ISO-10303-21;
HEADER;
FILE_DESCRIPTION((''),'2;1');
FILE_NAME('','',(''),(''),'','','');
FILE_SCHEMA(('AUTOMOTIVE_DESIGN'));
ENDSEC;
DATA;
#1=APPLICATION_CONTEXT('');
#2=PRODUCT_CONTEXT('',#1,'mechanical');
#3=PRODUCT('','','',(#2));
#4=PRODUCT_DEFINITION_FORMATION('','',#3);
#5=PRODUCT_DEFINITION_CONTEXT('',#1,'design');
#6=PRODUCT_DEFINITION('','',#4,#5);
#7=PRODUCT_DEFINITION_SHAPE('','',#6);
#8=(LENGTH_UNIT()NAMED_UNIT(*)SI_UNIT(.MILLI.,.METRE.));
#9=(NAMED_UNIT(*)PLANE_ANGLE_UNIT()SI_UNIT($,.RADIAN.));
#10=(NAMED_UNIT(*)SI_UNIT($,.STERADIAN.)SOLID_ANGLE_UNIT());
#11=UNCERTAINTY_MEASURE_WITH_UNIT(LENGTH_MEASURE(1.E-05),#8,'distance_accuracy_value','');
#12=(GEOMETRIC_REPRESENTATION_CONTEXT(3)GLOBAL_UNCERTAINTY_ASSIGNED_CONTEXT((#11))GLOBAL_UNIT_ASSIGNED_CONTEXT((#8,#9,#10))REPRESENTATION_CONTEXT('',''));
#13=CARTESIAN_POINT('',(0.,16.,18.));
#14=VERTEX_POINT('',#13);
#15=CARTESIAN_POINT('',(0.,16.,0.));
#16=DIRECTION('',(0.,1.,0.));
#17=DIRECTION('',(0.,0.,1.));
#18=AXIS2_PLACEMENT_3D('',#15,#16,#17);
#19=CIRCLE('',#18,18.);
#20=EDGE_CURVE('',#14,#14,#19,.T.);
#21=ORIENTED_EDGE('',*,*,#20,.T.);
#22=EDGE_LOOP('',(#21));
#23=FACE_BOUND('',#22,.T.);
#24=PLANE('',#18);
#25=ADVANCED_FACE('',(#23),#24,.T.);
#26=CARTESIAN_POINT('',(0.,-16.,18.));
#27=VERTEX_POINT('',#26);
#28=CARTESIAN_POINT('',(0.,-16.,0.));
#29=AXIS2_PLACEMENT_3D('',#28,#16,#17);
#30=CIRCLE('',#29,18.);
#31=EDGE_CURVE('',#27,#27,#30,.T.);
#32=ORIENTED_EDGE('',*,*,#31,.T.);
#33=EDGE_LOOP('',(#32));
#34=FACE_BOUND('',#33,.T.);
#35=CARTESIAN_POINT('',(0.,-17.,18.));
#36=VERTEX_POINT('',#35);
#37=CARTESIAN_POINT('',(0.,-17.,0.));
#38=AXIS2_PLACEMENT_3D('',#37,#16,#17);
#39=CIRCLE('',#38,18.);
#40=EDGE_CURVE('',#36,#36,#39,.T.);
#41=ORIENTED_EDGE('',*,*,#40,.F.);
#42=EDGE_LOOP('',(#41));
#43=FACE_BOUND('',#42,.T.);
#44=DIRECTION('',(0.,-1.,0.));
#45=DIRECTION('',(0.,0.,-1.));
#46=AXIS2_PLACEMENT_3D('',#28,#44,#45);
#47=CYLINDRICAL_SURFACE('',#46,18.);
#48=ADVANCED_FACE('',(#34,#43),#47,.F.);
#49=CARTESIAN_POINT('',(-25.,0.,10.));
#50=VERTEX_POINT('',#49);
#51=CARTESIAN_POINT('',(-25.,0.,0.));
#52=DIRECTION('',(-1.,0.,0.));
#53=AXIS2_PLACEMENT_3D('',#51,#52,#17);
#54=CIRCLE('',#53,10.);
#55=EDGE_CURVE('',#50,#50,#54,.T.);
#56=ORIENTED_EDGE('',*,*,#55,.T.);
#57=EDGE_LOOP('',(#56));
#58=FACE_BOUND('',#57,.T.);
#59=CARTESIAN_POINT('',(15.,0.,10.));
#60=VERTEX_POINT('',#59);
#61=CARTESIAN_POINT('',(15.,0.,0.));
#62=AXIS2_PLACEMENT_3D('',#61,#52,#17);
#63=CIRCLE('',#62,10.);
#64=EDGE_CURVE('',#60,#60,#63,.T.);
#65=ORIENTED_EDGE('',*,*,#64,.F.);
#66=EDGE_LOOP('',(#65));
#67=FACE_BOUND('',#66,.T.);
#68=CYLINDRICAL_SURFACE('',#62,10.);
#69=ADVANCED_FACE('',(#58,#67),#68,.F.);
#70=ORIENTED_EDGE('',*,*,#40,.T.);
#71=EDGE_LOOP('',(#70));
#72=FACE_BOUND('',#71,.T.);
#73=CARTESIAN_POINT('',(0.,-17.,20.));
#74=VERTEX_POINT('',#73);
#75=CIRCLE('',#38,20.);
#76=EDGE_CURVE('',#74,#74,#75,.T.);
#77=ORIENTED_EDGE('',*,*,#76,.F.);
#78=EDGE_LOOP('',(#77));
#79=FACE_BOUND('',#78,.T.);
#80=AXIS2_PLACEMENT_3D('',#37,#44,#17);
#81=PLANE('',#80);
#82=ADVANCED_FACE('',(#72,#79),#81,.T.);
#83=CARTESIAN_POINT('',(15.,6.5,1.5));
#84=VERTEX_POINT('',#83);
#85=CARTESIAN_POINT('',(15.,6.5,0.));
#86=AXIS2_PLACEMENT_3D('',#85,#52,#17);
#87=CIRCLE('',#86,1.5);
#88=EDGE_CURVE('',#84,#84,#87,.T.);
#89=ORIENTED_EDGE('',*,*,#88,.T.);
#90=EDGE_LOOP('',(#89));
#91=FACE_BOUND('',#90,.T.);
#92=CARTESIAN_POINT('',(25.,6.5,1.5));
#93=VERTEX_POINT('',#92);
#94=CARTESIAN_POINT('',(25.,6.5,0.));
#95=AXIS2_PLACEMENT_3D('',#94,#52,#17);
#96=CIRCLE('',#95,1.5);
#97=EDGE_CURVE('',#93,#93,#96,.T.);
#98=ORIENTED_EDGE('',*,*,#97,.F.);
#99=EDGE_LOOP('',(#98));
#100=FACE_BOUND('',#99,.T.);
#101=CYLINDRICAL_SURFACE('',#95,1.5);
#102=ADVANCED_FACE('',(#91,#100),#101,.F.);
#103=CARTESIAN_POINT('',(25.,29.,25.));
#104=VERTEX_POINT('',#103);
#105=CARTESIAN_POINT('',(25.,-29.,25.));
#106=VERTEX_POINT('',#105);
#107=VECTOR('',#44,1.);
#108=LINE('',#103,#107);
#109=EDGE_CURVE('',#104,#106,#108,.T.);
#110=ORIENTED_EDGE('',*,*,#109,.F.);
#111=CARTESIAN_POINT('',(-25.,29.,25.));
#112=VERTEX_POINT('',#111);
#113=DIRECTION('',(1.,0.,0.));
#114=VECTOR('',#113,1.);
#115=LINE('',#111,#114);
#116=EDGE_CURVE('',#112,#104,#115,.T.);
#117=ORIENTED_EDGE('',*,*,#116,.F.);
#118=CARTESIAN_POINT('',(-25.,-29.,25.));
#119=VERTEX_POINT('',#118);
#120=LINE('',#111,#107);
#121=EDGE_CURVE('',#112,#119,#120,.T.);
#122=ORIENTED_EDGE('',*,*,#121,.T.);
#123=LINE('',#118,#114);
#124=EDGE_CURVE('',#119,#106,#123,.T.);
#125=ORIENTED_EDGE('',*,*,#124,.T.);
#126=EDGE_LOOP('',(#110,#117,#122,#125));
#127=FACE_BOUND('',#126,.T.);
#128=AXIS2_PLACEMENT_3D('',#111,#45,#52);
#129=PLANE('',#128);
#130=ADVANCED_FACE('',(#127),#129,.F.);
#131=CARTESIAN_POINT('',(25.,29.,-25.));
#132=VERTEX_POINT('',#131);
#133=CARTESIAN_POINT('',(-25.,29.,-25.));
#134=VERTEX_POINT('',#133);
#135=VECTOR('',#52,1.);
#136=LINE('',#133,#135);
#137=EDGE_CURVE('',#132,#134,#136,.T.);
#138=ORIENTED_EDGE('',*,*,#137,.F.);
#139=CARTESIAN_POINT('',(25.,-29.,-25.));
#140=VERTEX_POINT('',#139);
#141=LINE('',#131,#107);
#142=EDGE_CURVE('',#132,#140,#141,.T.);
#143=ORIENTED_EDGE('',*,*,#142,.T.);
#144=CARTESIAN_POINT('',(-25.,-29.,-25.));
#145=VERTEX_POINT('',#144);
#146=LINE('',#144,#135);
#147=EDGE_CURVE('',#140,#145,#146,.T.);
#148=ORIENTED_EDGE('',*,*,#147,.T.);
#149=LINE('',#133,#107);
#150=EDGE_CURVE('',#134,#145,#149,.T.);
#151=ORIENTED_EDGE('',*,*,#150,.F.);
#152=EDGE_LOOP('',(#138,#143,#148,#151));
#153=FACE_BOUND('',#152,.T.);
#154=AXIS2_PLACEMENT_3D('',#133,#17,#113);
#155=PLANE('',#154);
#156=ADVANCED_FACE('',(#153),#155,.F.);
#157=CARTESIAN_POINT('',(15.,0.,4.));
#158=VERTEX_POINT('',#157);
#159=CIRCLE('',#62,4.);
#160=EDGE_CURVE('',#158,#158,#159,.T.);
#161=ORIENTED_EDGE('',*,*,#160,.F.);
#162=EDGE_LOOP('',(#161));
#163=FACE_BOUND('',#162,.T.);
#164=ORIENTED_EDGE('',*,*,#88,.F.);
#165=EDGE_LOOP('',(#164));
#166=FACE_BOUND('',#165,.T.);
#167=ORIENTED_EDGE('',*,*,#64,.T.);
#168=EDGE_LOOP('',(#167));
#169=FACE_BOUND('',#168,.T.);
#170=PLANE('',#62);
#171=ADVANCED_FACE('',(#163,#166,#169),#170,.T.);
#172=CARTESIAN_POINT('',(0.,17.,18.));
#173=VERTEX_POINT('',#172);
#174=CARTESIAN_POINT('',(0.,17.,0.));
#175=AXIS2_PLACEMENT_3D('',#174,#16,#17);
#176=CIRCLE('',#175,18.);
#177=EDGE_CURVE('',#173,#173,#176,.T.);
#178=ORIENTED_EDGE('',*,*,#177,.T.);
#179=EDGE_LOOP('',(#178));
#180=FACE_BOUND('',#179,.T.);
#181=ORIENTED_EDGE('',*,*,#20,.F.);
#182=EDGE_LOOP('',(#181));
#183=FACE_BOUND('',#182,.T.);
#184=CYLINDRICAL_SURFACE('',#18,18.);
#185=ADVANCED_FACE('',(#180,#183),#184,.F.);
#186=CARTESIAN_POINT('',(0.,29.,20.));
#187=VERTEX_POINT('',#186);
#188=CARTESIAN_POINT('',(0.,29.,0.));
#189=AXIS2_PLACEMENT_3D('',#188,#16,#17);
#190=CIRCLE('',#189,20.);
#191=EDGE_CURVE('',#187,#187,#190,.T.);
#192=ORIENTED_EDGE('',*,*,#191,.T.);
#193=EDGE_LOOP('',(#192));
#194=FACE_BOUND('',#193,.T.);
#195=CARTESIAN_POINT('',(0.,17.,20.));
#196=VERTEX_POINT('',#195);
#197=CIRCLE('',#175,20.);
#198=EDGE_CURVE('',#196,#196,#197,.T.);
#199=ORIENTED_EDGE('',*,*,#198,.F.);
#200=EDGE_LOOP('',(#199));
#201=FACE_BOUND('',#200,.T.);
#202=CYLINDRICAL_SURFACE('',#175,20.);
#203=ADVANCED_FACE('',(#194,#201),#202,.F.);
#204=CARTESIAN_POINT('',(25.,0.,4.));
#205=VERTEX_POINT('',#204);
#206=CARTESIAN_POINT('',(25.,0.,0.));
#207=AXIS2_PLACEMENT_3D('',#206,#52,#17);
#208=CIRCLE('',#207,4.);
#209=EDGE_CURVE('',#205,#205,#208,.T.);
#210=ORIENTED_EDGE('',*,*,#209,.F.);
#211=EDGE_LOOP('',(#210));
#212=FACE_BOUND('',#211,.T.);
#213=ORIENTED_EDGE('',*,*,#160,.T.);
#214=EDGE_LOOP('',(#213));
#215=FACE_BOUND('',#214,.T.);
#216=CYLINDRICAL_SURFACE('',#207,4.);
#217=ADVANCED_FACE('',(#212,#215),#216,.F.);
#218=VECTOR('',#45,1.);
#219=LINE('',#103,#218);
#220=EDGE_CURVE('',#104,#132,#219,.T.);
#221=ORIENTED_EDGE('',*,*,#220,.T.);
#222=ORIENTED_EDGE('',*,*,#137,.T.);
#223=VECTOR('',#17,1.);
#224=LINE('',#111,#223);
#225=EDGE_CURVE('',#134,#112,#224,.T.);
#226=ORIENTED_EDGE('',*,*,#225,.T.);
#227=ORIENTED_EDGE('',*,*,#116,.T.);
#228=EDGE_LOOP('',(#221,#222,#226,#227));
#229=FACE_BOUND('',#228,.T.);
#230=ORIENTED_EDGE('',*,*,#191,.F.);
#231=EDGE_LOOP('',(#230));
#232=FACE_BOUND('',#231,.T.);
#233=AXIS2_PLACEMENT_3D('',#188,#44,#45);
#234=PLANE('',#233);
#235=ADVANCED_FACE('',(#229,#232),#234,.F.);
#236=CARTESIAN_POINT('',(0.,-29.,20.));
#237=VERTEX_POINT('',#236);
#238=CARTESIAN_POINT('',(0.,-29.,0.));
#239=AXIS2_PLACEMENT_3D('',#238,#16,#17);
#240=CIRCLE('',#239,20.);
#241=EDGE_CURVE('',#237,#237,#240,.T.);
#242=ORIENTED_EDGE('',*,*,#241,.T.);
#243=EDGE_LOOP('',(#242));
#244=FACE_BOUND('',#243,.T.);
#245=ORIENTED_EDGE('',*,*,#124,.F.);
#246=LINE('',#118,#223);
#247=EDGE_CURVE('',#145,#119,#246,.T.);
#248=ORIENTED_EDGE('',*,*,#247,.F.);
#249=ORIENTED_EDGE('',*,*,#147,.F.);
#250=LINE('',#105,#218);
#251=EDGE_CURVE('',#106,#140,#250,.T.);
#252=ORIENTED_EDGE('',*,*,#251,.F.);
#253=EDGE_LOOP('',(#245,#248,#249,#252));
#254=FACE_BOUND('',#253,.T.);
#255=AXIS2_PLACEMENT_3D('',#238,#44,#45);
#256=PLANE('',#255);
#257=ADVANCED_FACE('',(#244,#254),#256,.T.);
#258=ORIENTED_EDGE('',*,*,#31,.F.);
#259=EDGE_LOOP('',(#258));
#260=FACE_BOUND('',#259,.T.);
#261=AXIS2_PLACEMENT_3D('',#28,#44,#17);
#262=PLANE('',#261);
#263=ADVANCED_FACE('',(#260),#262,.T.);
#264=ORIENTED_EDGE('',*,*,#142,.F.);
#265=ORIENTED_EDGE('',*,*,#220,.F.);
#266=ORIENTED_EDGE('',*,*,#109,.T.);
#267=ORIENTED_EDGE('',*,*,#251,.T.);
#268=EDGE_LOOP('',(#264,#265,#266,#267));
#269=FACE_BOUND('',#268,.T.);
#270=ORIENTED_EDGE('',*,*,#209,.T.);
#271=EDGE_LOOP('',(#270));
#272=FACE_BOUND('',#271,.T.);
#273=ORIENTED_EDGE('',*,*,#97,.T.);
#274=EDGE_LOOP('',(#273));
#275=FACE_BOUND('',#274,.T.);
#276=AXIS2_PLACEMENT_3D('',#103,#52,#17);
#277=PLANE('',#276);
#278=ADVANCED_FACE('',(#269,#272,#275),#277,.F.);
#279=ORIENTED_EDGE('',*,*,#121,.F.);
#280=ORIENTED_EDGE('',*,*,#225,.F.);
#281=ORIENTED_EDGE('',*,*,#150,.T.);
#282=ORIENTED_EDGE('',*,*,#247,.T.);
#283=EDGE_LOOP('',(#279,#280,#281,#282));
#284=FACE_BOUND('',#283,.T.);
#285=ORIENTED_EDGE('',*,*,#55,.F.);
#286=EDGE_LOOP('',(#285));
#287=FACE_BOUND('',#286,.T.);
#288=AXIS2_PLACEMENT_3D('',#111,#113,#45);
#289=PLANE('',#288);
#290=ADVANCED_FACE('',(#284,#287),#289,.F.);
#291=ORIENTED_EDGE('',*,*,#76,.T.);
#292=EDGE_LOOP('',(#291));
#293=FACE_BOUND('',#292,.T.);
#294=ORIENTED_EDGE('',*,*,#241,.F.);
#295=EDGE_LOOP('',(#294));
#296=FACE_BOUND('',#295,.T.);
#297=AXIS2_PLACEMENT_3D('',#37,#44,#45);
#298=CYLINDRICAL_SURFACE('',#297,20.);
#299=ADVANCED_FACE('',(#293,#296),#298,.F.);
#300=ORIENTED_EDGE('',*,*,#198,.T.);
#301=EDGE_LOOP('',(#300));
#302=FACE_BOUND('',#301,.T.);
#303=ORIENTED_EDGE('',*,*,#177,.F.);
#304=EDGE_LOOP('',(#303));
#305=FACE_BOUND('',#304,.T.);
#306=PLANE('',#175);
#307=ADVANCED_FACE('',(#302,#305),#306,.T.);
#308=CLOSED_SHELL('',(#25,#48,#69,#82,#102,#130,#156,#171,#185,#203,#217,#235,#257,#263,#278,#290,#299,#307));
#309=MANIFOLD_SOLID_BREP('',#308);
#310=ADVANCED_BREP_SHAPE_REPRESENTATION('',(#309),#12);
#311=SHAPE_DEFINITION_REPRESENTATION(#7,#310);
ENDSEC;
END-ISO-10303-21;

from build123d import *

# Parameters (mm, degrees)
SKETCH1_W           = 50
SKETCH1_H           = 50
BOSS_EXTRUDE1_DEPTH = 29
SKETCH2_R           = 10
CUT_EXTRUDE1_DEPTH  = 40
SKETCH5_R           = 1.5
SKETCH5_R_2         = 4
CUT_EXTRUDE2_DEPTH  = 11
SKETCH6_R           = 20
CUT_EXTRUDE3_DEPTH  = 12
SKETCH7_R           = 18
CUT_EXTRUDE4_DEPTH  = 1


with BuildPart() as part:
    # Sketch1 → Boss-Extrude1 (new body, symmetric)
    with BuildSketch(Plane(origin=(0, 0, 0), x_dir=(1, 0, 0), z_dir=(0, 1, 0))):
        Rectangle(SKETCH1_W, SKETCH1_H)
    extrude(amount=BOSS_EXTRUDE1_DEPTH, both=True)

    # Sketch2 → Cut-Extrude1 (cut)
    with BuildSketch(Plane.ZY.offset(25)):
        Circle(SKETCH2_R)
    extrude(amount=-CUT_EXTRUDE1_DEPTH, mode=Mode.SUBTRACT)

    # Sketch5 → Cut-Extrude2 (cut, through all)
    with BuildSketch(Plane.ZY.offset(-15)):
        with Locations((0, 6.5)):
            Circle(SKETCH5_R)
        Circle(SKETCH5_R_2)
    extrude(amount=-CUT_EXTRUDE2_DEPTH, mode=Mode.SUBTRACT)

    # Sketch6 → Cut-Extrude3 (cut)
    with BuildSketch(Plane(origin=(0, 29, 0), x_dir=(1, 0, 0), z_dir=(0, 1, 0))):
        Circle(SKETCH6_R)
    cut_extrude3 = extrude(amount=-CUT_EXTRUDE3_DEPTH, mode=Mode.SUBTRACT)

    # Sketch7 → Cut-Extrude4 (cut)
    with BuildSketch(Plane(origin=(0, 17, 0), x_dir=(1, 0, 0), z_dir=(0, 1, 0))):
        Circle(SKETCH7_R)
    cut_extrude4 = extrude(amount=-CUT_EXTRUDE4_DEPTH, mode=Mode.SUBTRACT)

    # Mirror1: Cut-Extrude3, Cut-Extrude4 across plane
    add(cut_extrude3.mirror(Plane.ZX), mode=Mode.SUBTRACT)
    add(cut_extrude4.mirror(Plane.ZX), mode=Mode.SUBTRACT)


solid = part.part
